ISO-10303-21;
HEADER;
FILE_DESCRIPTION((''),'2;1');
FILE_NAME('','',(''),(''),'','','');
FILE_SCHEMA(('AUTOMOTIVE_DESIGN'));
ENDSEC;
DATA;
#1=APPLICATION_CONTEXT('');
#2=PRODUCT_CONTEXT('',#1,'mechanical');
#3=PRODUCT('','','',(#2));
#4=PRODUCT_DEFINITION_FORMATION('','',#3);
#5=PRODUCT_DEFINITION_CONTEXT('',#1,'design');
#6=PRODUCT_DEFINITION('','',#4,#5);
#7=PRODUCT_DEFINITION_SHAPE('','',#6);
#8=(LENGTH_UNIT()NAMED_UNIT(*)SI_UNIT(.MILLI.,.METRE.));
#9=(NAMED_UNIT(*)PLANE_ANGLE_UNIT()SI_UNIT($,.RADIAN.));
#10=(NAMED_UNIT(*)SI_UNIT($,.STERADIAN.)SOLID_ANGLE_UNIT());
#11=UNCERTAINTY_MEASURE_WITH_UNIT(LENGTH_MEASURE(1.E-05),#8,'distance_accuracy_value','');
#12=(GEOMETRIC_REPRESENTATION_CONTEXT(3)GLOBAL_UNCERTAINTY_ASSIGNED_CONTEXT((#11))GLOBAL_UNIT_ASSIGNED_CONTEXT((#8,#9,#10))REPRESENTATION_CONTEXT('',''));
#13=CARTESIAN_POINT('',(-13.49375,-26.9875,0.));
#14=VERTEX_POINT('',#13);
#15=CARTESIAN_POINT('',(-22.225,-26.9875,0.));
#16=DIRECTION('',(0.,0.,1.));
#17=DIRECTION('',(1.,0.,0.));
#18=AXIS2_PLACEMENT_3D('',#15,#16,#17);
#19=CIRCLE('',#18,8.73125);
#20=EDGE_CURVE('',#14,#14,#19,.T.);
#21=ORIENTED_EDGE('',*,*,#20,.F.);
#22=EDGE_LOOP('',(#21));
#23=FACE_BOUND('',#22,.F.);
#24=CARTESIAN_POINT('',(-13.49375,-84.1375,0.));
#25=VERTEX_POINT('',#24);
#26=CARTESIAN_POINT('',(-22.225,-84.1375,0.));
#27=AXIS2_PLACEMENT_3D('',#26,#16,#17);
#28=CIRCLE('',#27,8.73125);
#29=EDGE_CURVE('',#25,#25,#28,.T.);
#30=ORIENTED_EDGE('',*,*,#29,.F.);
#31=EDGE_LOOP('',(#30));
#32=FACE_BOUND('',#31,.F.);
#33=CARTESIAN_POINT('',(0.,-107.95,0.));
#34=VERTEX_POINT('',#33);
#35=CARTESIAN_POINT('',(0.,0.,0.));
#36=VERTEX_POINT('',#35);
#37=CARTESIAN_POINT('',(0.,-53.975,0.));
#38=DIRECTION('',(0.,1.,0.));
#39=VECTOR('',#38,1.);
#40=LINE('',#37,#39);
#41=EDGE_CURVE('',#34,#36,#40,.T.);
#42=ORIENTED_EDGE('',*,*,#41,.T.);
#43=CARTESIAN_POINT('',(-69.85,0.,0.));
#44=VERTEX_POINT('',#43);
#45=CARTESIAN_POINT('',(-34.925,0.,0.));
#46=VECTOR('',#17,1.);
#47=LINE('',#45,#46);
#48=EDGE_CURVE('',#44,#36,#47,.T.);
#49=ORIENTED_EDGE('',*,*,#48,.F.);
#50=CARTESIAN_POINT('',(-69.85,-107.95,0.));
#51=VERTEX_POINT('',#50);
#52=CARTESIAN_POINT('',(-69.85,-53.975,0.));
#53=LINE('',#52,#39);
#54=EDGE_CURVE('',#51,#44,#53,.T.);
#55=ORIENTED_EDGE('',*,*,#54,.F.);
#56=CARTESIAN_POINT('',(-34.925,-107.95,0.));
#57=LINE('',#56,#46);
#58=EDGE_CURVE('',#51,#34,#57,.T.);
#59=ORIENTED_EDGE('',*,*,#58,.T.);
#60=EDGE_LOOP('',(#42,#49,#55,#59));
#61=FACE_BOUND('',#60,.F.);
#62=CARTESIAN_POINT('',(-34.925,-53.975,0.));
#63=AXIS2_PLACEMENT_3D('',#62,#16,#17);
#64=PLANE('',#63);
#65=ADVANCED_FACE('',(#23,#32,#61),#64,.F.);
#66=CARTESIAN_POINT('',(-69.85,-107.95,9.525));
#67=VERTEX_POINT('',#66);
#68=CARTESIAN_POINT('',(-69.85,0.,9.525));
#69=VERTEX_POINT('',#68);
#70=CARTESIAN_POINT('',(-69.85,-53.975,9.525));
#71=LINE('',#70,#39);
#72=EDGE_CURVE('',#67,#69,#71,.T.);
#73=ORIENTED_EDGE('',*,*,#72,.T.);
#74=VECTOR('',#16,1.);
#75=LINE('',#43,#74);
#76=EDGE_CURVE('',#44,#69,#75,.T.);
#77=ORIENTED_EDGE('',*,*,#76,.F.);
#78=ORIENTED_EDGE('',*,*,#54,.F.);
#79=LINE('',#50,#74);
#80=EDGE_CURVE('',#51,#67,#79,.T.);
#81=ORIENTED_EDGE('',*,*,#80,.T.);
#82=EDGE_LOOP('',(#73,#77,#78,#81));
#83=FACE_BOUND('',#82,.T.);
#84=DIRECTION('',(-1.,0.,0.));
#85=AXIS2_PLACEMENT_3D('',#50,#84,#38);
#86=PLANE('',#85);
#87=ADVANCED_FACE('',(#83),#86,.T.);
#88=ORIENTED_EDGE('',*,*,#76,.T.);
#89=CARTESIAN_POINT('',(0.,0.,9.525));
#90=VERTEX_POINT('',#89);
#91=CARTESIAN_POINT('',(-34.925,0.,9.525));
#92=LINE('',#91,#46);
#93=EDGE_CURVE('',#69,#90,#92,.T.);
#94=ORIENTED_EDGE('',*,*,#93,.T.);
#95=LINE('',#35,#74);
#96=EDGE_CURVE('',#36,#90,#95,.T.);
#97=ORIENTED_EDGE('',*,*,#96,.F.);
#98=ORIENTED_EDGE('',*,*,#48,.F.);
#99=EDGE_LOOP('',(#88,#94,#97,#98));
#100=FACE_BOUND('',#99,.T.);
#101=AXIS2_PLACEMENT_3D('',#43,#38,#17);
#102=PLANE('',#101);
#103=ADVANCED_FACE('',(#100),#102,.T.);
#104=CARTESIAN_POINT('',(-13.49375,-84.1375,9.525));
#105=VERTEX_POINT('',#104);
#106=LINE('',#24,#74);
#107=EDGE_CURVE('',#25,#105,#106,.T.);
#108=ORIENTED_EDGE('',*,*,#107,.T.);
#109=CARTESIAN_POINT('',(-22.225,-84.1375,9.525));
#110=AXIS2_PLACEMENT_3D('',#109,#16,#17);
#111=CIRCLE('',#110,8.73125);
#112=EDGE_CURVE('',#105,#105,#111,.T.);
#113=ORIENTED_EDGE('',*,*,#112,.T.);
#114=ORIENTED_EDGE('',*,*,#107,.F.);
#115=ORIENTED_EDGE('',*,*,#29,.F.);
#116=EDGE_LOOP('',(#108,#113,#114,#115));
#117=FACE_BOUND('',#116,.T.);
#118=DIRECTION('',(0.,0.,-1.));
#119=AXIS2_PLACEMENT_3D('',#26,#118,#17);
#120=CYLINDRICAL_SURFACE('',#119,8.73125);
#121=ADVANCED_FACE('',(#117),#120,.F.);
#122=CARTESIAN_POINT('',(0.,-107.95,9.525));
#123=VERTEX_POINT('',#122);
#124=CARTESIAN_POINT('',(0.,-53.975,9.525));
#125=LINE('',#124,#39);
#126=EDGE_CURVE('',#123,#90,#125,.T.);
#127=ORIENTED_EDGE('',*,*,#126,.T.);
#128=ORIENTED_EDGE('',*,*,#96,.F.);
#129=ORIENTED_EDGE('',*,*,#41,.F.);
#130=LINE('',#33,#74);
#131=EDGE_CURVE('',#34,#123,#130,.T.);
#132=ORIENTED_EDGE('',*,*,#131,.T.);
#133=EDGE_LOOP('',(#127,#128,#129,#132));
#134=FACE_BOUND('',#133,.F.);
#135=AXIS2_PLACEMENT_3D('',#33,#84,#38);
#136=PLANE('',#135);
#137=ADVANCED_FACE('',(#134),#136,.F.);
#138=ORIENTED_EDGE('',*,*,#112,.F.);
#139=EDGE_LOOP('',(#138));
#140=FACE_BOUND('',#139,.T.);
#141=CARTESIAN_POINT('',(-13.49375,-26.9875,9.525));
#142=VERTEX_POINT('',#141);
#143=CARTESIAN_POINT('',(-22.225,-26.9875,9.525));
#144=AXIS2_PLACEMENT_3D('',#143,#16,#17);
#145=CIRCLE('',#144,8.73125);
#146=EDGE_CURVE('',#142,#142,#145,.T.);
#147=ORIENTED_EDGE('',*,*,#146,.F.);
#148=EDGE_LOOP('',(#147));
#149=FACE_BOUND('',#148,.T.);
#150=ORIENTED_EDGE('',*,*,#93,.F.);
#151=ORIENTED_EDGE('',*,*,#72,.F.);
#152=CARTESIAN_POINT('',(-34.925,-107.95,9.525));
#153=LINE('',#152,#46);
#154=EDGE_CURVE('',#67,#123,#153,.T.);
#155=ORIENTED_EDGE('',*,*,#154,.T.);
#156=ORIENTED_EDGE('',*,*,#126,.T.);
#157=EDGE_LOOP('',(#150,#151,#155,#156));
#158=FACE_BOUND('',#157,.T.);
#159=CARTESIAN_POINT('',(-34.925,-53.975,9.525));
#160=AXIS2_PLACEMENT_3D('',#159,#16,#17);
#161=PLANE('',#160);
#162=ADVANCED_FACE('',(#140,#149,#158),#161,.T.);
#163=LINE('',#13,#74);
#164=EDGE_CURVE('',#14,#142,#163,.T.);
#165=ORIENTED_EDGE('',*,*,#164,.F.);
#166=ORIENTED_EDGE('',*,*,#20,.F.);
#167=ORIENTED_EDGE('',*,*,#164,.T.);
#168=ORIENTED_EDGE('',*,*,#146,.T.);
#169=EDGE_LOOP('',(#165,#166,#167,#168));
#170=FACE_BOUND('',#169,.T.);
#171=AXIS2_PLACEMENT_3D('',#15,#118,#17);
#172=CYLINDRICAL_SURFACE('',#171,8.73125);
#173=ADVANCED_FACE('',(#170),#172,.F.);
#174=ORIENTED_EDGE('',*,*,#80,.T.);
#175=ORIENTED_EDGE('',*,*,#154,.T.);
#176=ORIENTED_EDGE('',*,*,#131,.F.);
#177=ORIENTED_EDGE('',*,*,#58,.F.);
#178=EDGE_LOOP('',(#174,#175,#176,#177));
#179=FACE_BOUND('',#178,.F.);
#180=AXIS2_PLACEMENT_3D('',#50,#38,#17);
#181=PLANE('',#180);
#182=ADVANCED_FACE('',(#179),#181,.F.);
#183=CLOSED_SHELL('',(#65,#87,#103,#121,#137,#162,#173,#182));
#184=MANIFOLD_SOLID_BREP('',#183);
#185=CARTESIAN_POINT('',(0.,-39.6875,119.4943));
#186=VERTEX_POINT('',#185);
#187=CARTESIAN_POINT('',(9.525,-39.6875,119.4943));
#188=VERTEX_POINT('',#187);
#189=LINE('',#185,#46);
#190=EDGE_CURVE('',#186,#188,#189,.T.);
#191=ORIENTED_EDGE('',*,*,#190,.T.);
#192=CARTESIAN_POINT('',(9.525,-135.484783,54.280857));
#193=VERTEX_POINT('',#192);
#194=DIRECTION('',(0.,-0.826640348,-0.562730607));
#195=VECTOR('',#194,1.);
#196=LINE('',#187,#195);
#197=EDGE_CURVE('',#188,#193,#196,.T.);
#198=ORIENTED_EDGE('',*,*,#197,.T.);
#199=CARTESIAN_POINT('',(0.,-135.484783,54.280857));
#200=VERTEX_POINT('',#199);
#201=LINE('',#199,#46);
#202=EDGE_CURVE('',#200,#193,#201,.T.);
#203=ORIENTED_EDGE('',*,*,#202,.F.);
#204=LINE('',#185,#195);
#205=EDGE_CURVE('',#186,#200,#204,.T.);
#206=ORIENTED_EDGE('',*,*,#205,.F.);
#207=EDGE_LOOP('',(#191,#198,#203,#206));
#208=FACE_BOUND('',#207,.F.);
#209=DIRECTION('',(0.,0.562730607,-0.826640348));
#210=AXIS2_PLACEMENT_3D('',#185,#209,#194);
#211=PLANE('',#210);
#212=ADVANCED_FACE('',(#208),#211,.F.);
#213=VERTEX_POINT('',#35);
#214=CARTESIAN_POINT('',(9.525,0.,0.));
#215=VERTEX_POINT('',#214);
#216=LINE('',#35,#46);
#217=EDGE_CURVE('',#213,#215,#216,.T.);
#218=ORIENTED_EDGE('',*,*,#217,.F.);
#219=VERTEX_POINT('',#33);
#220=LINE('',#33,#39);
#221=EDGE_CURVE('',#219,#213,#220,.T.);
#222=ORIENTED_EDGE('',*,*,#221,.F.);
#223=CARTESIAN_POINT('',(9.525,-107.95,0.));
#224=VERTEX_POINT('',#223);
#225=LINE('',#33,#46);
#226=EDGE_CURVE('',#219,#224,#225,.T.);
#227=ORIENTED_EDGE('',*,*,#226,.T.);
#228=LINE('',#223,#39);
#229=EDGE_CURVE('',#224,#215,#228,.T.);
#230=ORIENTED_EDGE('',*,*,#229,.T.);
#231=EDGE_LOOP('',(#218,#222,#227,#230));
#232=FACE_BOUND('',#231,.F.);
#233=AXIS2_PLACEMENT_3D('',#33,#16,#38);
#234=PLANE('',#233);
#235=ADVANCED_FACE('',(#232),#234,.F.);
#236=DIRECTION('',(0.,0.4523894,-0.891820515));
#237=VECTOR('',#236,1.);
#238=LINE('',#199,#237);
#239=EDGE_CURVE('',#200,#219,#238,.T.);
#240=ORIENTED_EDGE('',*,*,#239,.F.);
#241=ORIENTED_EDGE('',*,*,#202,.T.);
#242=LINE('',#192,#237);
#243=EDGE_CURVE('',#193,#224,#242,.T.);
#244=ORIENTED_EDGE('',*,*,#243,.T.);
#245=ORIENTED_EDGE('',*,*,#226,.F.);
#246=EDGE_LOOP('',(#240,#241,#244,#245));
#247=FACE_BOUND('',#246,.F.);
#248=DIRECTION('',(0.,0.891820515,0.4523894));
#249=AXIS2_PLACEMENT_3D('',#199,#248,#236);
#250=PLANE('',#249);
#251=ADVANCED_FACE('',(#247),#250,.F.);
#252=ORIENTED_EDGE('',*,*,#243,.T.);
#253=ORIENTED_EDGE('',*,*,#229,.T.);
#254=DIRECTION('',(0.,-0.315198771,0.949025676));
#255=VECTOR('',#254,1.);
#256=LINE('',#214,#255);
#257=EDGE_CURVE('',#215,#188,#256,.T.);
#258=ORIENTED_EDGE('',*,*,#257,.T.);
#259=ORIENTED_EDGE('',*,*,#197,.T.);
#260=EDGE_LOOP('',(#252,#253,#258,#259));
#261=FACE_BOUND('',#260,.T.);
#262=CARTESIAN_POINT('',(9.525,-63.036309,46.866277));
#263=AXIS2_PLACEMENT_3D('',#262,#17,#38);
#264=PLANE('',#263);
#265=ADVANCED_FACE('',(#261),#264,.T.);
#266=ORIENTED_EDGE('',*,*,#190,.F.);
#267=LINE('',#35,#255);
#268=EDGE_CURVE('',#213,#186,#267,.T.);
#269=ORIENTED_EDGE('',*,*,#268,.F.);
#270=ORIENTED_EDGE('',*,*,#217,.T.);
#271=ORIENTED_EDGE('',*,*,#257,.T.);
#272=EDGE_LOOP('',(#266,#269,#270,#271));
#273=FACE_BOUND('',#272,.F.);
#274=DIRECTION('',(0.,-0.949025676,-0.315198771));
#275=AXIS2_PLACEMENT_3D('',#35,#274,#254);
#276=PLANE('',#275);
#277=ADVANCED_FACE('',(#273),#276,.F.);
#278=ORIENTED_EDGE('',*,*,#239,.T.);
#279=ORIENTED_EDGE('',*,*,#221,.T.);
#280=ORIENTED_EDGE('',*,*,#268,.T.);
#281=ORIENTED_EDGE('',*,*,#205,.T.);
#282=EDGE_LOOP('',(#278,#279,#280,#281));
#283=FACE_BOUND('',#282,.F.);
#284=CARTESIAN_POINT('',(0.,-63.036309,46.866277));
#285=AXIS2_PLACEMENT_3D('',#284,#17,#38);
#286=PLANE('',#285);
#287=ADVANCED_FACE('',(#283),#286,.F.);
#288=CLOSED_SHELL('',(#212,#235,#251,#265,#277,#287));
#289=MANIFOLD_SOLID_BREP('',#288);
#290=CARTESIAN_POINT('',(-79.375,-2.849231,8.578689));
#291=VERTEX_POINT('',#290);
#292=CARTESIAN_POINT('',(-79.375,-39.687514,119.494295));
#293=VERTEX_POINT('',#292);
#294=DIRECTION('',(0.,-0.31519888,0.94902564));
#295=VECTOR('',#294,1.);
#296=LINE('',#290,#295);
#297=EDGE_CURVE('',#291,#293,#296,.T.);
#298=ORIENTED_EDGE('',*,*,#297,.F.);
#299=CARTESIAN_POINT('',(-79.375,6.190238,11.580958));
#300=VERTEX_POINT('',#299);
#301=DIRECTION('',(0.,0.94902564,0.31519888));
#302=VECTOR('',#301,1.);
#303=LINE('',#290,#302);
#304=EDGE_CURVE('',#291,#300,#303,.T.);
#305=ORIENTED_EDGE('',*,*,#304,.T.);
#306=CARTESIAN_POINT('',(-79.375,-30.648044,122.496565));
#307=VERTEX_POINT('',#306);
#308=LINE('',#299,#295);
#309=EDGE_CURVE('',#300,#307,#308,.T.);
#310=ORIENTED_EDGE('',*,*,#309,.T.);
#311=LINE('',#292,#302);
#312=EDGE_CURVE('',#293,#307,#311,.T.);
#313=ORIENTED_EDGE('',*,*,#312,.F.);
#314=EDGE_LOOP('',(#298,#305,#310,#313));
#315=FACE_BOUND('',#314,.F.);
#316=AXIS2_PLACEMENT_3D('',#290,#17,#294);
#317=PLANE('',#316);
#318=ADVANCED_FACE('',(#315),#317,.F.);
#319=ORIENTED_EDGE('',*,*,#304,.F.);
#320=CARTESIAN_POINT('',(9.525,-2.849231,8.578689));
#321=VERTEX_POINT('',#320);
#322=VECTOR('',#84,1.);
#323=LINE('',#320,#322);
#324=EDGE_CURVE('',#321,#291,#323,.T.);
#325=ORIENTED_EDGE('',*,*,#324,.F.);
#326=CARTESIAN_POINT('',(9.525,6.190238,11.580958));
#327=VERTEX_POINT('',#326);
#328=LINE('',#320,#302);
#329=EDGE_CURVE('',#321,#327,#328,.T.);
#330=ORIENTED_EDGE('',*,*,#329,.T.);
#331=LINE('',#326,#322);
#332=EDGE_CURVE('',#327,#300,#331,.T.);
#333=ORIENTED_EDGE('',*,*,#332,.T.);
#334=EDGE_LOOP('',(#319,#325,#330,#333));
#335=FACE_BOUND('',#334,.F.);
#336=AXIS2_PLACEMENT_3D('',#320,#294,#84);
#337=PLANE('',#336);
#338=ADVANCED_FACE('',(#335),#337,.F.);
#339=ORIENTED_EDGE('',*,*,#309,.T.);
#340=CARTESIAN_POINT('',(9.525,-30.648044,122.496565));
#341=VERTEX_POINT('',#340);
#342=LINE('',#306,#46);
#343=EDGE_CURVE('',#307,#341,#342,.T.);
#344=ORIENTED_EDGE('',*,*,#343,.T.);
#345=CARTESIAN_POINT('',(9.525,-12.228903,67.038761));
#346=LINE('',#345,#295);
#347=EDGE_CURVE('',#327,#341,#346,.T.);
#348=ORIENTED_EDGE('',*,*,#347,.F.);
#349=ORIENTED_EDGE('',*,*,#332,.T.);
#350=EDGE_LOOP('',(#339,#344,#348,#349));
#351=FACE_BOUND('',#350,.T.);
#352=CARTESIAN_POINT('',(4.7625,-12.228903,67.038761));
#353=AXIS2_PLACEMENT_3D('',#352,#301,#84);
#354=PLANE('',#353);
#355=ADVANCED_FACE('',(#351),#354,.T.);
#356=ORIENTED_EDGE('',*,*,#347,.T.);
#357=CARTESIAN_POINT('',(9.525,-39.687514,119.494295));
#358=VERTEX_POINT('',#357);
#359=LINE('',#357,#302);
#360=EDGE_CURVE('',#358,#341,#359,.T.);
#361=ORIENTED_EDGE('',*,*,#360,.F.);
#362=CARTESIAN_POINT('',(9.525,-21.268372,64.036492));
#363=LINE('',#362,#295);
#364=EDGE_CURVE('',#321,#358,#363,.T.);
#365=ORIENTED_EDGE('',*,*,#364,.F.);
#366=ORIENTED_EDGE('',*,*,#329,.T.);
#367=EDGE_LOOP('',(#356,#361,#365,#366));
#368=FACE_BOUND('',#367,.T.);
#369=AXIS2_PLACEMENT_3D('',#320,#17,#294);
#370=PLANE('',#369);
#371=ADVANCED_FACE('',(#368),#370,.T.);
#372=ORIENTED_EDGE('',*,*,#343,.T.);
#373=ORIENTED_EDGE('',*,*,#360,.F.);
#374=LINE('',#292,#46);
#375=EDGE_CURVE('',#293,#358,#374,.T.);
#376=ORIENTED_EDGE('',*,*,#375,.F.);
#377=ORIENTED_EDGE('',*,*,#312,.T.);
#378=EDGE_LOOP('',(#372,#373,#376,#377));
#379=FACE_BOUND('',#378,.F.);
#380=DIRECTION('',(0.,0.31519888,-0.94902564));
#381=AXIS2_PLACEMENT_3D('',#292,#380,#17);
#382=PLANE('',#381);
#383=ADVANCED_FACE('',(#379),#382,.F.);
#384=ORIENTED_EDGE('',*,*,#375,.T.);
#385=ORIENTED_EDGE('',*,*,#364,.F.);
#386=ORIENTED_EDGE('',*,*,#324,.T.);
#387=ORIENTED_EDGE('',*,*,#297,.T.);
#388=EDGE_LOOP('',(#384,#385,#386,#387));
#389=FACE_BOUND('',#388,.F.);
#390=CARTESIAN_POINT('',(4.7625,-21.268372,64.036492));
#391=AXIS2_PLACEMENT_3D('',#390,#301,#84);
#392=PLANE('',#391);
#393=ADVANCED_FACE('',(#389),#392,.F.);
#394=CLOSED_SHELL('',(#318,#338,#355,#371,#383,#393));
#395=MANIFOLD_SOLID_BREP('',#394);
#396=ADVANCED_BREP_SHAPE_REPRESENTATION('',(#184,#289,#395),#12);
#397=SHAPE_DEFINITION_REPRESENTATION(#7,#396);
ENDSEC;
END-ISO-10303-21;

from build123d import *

# Parameters (mm, degrees)
F1_DEPTH = 9.525
F2_W     = 69.85
F2_H     = 107.95
F2_R     = 8.73125
F3_DEPTH = 9.525
F4_W     = 9.525
F4_H     = 116.87314
F5_DEPTH = 9.525


with BuildPart() as f1:
    # F0 (on Right) → F1 (new body)
    with BuildSketch(Plane.YZ):
        Polygon((-107.95, 0), (0, 0), (-39.6875, 119.4943), (-135.484783, 54.280857), align=None)
    extrude(amount=F1_DEPTH)


with BuildPart() as f3:
    # F2 (on Top) → F3 (new body)
    with BuildSketch(Plane.XY):
        with Locations((-34.925, -53.975)):
            Rectangle(F2_W, F2_H)
        with Locations((-22.225, -84.1375)):
            Circle(F2_R, mode=Mode.SUBTRACT)
        with Locations((-22.225, -26.9875)):
            Circle(F2_R, mode=Mode.SUBTRACT)
    extrude(amount=F3_DEPTH)


with BuildPart() as f5:
    # F4 (on face) → F5 (new body)
    with BuildSketch(Plane(origin=(0, 0, 0), x_dir=(-1, 0, 0), z_dir=(0, 0.949026, 0.315199))):
        with Locations((-4.7625, 67.47604)):
            Rectangle(F4_W, F4_H)
        Polygon((79.375, 125.91261), (0, 125.91261), (0, 9.03947), (69.85, 9.03947), (79.375, 9.03947), align=None)
    extrude(amount=F5_DEPTH)


solid = Compound([f1.part, f3.part, f5.part])
